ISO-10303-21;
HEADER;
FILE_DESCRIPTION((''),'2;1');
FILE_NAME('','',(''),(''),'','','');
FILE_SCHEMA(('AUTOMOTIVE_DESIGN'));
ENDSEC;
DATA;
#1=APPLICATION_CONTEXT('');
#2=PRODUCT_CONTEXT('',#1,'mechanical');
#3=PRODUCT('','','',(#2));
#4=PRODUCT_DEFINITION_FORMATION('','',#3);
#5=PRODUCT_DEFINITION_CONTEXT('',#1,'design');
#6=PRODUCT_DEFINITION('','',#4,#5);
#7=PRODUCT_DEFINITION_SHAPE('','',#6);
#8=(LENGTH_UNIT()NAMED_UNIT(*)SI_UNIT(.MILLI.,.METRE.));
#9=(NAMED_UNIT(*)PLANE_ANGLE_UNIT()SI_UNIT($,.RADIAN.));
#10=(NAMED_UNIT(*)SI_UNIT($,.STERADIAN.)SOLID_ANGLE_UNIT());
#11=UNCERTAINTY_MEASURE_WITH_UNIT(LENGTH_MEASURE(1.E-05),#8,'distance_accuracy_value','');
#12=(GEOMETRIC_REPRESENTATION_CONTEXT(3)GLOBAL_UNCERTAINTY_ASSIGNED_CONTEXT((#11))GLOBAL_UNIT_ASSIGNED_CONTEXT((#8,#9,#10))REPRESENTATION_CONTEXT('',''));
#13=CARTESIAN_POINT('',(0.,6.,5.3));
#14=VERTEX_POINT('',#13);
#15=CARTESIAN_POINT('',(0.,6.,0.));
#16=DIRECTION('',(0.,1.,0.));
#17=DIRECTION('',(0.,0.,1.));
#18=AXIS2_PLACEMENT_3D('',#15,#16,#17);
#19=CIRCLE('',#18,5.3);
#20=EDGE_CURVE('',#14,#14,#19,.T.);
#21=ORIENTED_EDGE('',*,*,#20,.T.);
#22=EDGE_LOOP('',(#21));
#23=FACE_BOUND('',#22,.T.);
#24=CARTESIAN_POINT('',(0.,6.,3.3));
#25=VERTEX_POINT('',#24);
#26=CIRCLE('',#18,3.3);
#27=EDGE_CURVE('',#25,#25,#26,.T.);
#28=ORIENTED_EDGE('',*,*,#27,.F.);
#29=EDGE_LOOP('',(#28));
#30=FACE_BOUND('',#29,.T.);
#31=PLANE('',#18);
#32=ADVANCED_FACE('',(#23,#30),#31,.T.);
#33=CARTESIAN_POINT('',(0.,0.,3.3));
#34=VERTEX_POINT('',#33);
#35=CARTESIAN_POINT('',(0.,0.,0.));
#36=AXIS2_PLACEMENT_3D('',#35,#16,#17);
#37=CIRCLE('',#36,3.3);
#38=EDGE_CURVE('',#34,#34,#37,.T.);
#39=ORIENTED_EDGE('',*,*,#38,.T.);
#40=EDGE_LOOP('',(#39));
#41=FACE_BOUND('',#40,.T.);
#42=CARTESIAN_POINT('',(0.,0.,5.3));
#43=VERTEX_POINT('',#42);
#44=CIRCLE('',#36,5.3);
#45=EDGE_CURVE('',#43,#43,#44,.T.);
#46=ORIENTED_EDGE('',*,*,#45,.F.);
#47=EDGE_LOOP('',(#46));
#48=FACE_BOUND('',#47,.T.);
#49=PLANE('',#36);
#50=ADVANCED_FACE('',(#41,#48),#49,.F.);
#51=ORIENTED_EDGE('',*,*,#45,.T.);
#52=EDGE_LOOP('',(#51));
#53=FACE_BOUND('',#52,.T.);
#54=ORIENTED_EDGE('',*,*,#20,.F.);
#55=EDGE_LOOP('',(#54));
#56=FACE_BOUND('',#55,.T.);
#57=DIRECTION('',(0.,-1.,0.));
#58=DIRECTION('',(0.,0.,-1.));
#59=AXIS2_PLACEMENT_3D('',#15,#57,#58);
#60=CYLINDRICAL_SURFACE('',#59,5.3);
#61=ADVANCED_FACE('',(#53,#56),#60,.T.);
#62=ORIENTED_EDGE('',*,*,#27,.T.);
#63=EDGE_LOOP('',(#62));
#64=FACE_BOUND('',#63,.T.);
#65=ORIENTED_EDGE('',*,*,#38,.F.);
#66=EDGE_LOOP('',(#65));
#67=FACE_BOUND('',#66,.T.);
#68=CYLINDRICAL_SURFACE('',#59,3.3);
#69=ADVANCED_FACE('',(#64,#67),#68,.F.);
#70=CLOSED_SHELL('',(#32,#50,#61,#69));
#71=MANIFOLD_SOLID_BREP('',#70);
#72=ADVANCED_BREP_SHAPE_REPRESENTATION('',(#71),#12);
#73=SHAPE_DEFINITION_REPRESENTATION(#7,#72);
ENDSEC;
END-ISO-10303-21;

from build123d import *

# Parameters (mm, degrees)
SKETCH1_R           = 5.3
SKETCH1_R_2         = 3.3
BOSS_EXTRUDE1_DEPTH = 6


with BuildPart() as part:
    # Sketch1 → Boss-Extrude1 (new body)
    with BuildSketch(Plane(origin=(0, 0, 0), x_dir=(1, 0, 0), z_dir=(0, 1, 0))):
        Circle(SKETCH1_R)
        Circle(SKETCH1_R_2, mode=Mode.SUBTRACT)
    extrude(amount=BOSS_EXTRUDE1_DEPTH)


solid = part.part
